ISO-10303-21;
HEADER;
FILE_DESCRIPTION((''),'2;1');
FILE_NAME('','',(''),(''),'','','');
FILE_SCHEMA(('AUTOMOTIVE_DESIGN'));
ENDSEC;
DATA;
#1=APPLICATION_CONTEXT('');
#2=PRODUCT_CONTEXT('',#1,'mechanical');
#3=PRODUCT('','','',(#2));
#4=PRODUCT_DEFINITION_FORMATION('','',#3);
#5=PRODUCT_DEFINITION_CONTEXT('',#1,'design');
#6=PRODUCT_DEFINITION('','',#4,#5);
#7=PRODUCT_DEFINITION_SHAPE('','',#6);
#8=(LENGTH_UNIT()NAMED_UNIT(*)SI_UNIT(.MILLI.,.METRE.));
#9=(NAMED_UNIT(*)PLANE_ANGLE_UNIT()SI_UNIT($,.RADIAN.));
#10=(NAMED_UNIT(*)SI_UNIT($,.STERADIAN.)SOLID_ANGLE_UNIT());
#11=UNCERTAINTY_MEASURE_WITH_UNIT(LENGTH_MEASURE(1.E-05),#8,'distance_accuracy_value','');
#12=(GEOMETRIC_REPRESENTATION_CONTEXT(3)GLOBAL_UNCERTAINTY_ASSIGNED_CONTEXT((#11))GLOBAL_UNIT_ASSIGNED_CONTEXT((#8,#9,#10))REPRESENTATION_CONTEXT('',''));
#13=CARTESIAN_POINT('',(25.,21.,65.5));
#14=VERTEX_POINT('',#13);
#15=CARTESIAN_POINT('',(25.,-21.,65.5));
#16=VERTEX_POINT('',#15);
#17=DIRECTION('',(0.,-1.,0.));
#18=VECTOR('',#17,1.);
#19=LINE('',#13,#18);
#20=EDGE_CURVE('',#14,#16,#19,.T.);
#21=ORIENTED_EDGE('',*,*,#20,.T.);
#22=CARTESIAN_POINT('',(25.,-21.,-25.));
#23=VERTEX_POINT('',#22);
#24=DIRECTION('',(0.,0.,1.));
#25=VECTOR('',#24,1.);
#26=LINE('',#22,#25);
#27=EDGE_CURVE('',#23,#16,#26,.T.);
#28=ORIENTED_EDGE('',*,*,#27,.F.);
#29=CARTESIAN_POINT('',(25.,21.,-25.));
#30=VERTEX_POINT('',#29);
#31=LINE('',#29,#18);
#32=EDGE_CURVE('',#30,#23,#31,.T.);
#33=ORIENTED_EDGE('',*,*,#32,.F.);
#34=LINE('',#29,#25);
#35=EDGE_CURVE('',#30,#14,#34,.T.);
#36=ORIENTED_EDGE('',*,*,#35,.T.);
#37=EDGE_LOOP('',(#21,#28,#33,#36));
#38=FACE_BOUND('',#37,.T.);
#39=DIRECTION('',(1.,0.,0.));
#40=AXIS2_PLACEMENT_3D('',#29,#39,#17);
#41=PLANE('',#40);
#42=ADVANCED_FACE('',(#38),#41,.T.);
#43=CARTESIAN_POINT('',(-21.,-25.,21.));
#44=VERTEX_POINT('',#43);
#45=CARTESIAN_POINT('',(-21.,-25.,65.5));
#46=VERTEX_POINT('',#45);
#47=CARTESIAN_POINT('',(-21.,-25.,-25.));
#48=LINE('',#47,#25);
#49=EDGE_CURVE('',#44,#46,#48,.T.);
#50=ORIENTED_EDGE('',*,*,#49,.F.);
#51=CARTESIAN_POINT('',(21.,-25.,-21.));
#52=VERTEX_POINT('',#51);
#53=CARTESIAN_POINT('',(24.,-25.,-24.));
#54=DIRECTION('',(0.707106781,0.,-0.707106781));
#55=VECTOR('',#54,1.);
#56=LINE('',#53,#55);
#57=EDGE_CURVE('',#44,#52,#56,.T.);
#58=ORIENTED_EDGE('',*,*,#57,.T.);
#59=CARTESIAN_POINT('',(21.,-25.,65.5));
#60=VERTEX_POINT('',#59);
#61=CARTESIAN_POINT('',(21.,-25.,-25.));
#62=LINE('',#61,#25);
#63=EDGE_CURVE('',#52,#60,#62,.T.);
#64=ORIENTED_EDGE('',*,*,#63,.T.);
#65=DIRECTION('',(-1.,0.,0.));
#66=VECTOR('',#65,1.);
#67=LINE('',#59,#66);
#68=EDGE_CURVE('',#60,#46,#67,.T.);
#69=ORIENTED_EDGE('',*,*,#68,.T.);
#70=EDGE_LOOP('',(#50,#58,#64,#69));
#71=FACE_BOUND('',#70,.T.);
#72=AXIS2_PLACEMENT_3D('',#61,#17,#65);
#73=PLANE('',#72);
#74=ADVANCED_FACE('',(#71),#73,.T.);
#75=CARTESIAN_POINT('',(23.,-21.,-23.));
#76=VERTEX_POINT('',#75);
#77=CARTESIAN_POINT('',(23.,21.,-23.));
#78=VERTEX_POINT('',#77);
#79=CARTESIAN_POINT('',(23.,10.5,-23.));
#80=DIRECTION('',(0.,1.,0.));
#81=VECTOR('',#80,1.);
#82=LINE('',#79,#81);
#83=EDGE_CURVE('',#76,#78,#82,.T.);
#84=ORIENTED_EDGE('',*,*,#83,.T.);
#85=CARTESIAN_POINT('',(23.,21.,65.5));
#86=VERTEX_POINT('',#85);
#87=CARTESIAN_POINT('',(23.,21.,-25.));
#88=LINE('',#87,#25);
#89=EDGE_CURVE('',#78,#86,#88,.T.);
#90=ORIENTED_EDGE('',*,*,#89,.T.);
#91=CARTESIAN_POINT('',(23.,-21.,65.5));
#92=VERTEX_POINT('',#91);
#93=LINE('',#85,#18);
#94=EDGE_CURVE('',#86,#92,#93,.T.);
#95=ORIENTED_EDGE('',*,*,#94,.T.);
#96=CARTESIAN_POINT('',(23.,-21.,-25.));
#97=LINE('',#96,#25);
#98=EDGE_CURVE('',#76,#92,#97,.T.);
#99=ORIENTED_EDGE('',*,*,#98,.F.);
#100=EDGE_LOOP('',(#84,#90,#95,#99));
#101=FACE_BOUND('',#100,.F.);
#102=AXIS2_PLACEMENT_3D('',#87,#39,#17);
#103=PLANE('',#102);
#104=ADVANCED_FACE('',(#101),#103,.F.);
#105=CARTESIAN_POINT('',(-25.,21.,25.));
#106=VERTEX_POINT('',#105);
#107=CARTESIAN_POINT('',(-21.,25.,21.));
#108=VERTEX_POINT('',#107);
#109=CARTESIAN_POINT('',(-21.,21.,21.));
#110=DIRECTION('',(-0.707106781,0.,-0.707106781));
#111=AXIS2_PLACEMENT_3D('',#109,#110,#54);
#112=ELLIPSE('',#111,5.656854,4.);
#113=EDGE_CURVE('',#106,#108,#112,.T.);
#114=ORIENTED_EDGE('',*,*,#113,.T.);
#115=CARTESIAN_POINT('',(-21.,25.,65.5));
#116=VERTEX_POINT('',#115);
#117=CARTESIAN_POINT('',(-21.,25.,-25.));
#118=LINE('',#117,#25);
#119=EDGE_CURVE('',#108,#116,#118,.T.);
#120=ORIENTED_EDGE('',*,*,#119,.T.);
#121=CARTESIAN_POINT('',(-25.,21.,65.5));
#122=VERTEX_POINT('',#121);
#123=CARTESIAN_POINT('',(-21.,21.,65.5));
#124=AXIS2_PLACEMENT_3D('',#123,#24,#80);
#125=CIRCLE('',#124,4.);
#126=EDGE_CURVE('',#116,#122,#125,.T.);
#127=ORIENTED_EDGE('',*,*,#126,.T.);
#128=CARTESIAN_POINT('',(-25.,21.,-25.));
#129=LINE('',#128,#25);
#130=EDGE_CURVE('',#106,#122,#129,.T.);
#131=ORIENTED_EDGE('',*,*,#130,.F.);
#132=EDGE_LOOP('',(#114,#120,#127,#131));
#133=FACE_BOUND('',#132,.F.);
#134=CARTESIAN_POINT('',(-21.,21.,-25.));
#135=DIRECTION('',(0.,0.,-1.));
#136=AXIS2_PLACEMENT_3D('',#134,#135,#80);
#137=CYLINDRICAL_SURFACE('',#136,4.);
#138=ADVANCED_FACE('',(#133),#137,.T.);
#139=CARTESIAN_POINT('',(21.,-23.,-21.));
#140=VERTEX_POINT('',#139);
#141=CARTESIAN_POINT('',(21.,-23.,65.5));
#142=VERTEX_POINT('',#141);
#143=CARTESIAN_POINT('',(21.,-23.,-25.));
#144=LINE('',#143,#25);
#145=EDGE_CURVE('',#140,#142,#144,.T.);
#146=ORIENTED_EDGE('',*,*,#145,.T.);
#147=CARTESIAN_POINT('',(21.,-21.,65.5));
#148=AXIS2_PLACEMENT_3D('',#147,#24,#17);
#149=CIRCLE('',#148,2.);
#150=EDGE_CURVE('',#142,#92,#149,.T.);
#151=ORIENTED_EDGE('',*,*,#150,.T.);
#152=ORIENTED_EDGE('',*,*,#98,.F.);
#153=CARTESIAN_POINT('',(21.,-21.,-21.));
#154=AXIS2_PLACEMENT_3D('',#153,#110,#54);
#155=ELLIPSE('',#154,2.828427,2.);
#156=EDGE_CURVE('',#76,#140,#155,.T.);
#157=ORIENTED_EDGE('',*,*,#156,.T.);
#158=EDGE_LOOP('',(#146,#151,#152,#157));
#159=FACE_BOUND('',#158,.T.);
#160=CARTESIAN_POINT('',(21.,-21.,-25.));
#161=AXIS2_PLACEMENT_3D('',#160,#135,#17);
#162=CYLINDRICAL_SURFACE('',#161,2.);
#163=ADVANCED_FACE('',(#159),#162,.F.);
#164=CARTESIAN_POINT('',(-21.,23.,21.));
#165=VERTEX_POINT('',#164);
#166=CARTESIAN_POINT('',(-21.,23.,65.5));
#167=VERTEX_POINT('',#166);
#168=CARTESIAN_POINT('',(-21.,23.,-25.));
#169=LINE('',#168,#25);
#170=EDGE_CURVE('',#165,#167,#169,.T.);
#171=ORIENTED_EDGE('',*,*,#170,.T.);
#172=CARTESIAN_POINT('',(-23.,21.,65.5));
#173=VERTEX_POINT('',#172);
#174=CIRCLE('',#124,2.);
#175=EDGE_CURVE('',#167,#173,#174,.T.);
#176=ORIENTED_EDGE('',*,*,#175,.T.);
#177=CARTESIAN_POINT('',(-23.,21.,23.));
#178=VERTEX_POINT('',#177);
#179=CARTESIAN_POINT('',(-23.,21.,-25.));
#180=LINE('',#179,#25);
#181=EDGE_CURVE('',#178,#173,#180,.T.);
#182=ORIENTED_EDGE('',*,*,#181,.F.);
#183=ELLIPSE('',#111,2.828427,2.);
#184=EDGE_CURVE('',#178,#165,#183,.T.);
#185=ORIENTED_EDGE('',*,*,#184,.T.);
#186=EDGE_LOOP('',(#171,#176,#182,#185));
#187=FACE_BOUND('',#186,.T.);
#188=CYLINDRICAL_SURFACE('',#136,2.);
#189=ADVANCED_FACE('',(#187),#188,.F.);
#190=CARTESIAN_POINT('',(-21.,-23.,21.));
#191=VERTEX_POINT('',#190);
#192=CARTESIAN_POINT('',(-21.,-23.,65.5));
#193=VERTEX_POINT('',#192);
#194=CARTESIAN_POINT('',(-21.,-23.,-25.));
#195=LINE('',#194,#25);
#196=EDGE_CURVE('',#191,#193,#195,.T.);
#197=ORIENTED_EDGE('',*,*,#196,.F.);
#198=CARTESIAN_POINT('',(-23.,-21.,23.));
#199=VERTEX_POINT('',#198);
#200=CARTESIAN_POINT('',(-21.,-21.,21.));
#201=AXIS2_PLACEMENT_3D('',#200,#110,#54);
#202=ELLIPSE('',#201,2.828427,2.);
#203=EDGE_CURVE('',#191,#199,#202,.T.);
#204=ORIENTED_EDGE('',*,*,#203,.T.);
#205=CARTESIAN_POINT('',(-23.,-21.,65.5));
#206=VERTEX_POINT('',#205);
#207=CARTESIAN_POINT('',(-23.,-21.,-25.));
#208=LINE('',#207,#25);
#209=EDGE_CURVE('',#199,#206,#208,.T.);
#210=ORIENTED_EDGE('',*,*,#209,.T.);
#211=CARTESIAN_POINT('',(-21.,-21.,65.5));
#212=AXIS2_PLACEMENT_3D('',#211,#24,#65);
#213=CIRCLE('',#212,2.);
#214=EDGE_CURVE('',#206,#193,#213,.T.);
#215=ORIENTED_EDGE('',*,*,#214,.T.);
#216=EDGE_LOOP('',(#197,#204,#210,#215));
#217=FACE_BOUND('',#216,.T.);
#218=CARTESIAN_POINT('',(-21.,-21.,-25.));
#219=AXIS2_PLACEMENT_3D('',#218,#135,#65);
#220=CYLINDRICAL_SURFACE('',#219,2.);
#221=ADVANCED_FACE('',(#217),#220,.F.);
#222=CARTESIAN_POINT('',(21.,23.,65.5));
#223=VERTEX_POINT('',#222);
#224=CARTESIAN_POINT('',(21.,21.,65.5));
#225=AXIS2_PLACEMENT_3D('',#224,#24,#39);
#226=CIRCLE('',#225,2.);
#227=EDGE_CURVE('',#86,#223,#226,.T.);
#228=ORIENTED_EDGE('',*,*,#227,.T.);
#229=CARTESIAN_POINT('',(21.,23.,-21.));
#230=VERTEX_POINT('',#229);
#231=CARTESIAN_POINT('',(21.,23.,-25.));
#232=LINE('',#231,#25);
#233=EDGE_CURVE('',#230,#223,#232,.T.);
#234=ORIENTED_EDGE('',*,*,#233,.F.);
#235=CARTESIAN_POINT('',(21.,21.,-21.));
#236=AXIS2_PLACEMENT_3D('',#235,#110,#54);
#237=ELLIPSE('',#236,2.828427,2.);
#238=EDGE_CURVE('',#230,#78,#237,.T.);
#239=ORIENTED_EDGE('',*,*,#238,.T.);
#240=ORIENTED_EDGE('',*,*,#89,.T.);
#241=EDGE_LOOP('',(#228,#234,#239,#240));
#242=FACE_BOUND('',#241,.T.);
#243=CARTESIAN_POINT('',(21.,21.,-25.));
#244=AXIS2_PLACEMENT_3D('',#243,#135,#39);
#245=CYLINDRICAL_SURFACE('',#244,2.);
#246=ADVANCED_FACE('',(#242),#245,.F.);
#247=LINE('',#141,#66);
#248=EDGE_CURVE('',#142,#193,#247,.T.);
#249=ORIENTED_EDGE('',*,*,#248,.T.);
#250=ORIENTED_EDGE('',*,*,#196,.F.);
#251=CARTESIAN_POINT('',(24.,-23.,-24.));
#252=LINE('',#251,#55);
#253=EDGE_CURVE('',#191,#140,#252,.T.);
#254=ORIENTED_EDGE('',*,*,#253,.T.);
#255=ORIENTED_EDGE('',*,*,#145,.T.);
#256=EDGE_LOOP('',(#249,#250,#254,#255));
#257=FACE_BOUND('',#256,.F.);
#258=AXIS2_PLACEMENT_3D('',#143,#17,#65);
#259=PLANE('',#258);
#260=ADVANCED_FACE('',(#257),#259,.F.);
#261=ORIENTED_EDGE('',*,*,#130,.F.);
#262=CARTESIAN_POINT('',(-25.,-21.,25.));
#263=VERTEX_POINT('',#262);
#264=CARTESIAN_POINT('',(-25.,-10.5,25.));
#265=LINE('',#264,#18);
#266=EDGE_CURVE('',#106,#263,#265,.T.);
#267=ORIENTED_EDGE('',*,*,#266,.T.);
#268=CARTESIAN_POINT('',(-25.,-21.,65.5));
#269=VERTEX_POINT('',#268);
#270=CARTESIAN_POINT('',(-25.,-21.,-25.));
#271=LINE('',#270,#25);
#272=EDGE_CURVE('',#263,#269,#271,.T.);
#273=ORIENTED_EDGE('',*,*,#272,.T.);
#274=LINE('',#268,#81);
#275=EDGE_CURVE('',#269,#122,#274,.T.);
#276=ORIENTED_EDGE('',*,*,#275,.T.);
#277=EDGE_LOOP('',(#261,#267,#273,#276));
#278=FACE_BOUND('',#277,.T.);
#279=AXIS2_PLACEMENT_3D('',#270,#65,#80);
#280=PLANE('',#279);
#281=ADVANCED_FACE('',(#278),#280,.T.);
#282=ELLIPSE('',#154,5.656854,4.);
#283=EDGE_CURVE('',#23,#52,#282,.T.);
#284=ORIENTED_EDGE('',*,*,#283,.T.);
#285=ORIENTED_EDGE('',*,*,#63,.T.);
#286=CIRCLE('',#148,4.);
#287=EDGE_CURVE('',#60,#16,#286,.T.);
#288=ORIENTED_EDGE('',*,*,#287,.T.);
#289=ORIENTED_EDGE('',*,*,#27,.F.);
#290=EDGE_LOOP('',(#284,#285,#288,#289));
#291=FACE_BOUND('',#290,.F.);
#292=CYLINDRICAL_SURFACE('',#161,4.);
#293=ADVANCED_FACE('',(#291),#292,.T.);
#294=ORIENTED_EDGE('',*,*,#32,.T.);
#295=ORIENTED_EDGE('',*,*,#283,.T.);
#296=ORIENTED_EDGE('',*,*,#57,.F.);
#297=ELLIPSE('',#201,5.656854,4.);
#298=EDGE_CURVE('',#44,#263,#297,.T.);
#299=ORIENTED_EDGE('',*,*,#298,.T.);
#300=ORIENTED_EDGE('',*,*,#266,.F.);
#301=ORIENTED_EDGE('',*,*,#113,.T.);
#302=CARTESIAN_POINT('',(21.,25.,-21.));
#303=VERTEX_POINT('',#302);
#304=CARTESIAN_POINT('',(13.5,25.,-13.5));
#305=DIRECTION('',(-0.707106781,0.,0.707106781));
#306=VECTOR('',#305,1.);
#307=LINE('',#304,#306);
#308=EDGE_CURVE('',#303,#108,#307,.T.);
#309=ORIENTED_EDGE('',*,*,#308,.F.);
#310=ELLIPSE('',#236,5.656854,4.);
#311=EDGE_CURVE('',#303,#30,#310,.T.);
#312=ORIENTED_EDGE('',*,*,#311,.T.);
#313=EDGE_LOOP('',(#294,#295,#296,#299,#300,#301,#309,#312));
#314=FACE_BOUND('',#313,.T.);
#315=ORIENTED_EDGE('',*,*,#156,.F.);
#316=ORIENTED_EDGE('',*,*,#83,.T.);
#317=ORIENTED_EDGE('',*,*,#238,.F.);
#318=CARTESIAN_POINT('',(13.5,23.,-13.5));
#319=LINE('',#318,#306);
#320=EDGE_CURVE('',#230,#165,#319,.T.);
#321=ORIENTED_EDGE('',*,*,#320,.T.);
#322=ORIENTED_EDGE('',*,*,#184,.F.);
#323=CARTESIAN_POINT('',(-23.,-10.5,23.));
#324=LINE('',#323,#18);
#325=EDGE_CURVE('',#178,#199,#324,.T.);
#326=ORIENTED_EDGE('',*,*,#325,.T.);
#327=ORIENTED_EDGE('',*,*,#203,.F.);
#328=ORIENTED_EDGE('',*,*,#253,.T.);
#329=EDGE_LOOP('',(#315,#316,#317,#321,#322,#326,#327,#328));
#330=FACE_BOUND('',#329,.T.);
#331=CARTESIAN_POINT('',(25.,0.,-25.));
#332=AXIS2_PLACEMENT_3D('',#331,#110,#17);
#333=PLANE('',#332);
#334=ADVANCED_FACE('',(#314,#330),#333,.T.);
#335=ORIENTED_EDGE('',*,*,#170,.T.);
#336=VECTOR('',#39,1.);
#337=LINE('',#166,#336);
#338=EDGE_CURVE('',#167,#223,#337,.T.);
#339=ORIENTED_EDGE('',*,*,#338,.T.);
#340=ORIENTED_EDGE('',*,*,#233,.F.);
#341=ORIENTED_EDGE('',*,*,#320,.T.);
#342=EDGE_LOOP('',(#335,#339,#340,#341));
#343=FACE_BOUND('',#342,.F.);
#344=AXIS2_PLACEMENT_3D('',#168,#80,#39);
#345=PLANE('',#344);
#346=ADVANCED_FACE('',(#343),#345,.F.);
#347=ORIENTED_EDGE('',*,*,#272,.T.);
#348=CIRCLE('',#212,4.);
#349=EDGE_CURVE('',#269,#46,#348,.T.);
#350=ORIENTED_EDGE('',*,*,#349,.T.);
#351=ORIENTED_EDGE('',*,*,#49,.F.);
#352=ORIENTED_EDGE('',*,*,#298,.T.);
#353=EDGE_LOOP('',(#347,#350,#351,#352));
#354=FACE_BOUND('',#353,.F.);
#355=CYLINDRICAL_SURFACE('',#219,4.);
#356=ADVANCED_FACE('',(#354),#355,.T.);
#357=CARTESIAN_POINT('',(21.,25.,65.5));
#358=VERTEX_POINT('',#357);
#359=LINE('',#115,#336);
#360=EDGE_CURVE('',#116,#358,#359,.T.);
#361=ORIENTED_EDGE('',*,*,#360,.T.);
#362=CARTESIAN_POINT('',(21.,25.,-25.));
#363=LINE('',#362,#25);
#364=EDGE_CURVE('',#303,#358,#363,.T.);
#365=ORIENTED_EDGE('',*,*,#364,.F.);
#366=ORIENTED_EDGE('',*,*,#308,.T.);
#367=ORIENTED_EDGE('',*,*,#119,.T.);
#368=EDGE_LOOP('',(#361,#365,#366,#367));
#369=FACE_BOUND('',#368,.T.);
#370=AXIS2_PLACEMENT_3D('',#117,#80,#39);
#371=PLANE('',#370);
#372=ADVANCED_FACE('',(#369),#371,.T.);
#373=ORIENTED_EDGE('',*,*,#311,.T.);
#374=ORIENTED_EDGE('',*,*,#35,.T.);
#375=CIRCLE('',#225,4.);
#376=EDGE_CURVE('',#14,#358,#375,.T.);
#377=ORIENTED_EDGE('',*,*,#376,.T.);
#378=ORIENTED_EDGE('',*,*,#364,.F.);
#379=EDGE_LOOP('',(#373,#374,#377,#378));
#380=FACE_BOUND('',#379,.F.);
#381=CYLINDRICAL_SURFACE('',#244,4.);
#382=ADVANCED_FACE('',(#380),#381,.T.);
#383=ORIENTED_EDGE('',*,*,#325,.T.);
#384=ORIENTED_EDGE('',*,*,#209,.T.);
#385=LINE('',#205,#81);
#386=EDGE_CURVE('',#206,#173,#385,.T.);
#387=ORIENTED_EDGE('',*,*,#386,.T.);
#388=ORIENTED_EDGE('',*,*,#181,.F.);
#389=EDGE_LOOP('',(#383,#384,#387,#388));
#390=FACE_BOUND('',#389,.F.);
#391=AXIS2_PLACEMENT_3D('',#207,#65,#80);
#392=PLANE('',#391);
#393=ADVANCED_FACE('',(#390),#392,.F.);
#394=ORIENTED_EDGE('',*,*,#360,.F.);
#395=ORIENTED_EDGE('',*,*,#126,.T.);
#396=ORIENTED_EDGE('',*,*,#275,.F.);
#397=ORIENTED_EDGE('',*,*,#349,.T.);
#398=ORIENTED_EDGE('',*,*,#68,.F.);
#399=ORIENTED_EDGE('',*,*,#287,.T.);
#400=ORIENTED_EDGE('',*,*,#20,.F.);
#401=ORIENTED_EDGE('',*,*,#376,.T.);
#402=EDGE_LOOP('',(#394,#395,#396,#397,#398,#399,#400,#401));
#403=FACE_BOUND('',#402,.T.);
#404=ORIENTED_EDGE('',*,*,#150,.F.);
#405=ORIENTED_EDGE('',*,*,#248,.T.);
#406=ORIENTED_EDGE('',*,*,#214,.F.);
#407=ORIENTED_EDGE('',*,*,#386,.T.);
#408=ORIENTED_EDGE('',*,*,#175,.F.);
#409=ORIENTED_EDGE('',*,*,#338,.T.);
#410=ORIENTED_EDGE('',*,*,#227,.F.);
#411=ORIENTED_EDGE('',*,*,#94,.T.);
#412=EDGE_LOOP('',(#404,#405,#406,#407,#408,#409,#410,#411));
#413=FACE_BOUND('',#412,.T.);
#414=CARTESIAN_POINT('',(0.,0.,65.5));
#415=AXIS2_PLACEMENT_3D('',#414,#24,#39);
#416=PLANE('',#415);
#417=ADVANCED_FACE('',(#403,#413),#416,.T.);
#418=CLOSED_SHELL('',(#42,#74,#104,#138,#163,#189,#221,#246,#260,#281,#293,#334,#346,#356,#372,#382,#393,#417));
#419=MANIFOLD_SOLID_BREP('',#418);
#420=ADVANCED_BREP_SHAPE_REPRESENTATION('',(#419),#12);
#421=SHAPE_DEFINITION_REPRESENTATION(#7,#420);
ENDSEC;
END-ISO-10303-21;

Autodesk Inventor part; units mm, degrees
ref_plane "Start Plane" through (0, 0, -25) normal (0, 0, 1) x (1, 0, 0)
ref_plane "End Plane" through (0, 0, 65.5) normal (0, 0, 1) x (1, 0, 0)
sketch "Sketch" plane through (0, 0, 0) normal (0, 0, 1) x (1, 0, 0)
  line L0 (-25, -21) -> (-25, 21)
  line L1 (-21, 25) -> (21, 25)
  line L2 (25, 21) -> (25, -21)
  line L3 (21, -25) -> (-21, -25)
  arc A0 (-25, -21) -> (-21, -25) centre (-21, -21) ccw
  arc A1 (25, 21) -> (21, 25) centre (21, 21) ccw
  arc A2 (-21, 25) -> (-25, 21) centre (-21, 21) ccw
  arc A3 (21, -25) -> (25, -21) centre (21, -21) ccw
  arc A4 (-21, 23) -> (-23, 21) centre (-21, 21) ccw
  line L4 (-21, 23) -> (21, 23)
  arc A5 (23, 21) -> (21, 23) centre (21, 21) ccw
  line L5 (23, 21) -> (23, -21)
  arc A6 (21, -23) -> (23, -21) centre (21, -21) ccw
  line L6 (21, -23) -> (-21, -23)
  arc A7 (-23, -21) -> (-21, -23) centre (-21, -21) ccw
  line L7 (-23, -21) -> (-23, 21)
  line L8 (0, 36.1598) -> (0, -36.1598) construction
  line L9 (-36.1598, 0) -> (36.1598, 0) construction
  dimension "d7" = 4
  dimension "d9" = 50
  dimension "d11" = 50
  dimension "d12" = 2
  dimension "d15" = 25
  dimension "d16" = 25
extrude "Body" add sketch "Sketch" along normal up to surface (90.5 mm away) from surface at -25
sketch "Sketch3" plane through (0, 0, 0) normal (0, 0, 1) x (1, 0, 0)
  line L0 (0, 0) -> (10, 0)
ref_plane "Work Plane3" through (0, 0, 0) normal (0, -1, 0) x (1, 0, 0)
sketch "Sketch4" plane through (0, 0, 0) normal (0, -1, 0) x (1, 0, 0)
  line L0 (-2, -25) -> (12, -25)
  line L1 (-2, 65.5) -> (12, 65.5)
  dimension "d18" = 90.5
ref_plane "Work Plane4" through (25, 0, -25) normal (-0.7071, 0, -0.7071) x (-0.7071, 0, 0.7071)
split "Split1" plane through (25, 0, -25) removes the side toward (-0.7071, 0, -0.7071)
ref_plane "Work Plane5" through (-21, -285.25, 65.5) normal (0, 0, 1) x (1, 0, 0)
split "Split2" plane through (-21, -285.25, 65.5) removes the side toward (0, 0, 1)
equation "\"d7\" = G_IR"
equation "\"d9\" = G_W"
equation "\"d11\" = G_H"
equation "\"d12\" = G_T"
equation "\"d15\" = 0.5 * d9"
equation "\"d16\" = 0.5 * d11"
equation "\"d3\" = G_L"
equation "\"G_W\" = 50"
equation "\"G_H\" = 50"
equation "\"G_T\" = 2"
equation "\"G_IR\" = 4"
equation "\"G_L\" = d18"
equation "\"G_OFFSET_START\" = 25"
equation "\"G_OFFSET_END\" = -25"
equation "\"d13\" = -G_OFFSET_START"
equation "\"d14\" = G_OFFSET_END + B_L"
equation "\"B_L\" = 90.5"
properties part number "ISO 10799-2 - 50x50x2 - 90.5"
